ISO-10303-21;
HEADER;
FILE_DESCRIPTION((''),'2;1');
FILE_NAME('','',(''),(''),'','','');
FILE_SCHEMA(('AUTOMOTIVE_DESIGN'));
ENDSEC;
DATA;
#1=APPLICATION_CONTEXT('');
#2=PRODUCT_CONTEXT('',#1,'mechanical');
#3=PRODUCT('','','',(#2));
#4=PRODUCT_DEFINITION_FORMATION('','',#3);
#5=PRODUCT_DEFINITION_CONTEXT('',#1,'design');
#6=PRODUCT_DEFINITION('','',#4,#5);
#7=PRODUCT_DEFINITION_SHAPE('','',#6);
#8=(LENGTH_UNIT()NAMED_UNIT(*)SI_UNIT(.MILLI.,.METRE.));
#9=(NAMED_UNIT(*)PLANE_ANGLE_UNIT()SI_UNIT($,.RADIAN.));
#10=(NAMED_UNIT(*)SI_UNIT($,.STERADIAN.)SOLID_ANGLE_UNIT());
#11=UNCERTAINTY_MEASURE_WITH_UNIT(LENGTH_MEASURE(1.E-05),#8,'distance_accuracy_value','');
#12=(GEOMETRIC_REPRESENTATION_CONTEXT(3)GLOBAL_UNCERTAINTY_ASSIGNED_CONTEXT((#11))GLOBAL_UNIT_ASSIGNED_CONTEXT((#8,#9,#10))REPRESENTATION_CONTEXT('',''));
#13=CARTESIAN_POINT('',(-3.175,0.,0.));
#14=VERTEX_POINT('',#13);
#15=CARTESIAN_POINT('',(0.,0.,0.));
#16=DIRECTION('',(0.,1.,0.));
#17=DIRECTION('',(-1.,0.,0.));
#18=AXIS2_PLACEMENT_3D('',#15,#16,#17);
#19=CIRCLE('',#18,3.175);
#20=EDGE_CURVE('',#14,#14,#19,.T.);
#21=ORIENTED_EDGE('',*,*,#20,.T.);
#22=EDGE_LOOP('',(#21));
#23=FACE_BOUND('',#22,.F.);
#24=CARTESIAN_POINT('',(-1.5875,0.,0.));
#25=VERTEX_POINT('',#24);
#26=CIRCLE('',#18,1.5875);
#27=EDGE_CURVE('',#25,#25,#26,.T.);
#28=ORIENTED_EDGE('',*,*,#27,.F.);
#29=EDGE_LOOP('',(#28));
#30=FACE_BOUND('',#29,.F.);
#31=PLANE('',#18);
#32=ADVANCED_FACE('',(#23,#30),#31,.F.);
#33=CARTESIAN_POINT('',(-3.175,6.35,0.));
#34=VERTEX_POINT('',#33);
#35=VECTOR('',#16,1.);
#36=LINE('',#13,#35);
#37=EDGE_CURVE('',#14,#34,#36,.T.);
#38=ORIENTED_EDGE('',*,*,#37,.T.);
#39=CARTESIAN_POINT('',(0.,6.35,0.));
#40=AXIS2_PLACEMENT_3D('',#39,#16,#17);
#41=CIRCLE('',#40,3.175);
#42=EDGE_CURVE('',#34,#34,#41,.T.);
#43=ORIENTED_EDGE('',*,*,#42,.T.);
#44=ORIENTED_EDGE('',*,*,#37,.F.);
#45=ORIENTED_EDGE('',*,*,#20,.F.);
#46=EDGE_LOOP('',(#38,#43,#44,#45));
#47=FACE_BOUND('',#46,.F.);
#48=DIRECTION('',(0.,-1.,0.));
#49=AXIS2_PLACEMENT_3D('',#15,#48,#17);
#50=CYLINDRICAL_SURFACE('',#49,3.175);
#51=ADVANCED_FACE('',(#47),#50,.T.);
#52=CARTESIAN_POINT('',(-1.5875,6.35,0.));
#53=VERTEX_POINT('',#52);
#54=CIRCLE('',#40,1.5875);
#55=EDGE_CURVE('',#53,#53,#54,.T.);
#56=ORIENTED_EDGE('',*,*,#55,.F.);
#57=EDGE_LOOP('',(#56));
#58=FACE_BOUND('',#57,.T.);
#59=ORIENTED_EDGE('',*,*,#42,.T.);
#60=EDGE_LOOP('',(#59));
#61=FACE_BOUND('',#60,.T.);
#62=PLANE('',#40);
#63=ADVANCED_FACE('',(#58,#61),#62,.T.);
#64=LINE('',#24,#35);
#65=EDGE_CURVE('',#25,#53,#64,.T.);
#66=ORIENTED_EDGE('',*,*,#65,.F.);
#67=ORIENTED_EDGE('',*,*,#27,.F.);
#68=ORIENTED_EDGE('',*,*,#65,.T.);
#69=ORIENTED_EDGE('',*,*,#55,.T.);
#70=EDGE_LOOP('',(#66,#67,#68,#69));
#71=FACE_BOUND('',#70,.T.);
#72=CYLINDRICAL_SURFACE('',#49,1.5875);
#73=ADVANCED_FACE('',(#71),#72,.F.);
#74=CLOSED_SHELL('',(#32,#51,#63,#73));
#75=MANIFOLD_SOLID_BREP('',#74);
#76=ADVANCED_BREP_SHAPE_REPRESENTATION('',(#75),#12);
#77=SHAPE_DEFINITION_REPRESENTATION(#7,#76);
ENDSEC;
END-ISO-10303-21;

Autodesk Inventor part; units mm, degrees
ref_plane "YZ Plane" through (0, 0, 0) normal (1, 0, 0) x (0, 1, 0)
ref_plane "XZ Plane" through (0, 0, 0) normal (0, 1, 0) x (-1, 0, 0)
ref_plane "XY Plane" through (0, 0, 0) normal (0, 0, 1) x (1, 0, 0)
sketch "Sketch1" plane through (0, 0, 0) normal (0, 1, 0) x (-1, 0, 0)
  circle A0 centre (0, 0) radius 3.175
  circle A1 centre (0, 0) radius 1.5875
  dimension "d0" = 6.35
  dimension "d1" = 3.175
extrude "Extrusion1" add sketch "Sketch1" along normal blind 6.35
properties part number "DPLX_021_Standoff_Rasp_pie_Lab_payload_sv"
